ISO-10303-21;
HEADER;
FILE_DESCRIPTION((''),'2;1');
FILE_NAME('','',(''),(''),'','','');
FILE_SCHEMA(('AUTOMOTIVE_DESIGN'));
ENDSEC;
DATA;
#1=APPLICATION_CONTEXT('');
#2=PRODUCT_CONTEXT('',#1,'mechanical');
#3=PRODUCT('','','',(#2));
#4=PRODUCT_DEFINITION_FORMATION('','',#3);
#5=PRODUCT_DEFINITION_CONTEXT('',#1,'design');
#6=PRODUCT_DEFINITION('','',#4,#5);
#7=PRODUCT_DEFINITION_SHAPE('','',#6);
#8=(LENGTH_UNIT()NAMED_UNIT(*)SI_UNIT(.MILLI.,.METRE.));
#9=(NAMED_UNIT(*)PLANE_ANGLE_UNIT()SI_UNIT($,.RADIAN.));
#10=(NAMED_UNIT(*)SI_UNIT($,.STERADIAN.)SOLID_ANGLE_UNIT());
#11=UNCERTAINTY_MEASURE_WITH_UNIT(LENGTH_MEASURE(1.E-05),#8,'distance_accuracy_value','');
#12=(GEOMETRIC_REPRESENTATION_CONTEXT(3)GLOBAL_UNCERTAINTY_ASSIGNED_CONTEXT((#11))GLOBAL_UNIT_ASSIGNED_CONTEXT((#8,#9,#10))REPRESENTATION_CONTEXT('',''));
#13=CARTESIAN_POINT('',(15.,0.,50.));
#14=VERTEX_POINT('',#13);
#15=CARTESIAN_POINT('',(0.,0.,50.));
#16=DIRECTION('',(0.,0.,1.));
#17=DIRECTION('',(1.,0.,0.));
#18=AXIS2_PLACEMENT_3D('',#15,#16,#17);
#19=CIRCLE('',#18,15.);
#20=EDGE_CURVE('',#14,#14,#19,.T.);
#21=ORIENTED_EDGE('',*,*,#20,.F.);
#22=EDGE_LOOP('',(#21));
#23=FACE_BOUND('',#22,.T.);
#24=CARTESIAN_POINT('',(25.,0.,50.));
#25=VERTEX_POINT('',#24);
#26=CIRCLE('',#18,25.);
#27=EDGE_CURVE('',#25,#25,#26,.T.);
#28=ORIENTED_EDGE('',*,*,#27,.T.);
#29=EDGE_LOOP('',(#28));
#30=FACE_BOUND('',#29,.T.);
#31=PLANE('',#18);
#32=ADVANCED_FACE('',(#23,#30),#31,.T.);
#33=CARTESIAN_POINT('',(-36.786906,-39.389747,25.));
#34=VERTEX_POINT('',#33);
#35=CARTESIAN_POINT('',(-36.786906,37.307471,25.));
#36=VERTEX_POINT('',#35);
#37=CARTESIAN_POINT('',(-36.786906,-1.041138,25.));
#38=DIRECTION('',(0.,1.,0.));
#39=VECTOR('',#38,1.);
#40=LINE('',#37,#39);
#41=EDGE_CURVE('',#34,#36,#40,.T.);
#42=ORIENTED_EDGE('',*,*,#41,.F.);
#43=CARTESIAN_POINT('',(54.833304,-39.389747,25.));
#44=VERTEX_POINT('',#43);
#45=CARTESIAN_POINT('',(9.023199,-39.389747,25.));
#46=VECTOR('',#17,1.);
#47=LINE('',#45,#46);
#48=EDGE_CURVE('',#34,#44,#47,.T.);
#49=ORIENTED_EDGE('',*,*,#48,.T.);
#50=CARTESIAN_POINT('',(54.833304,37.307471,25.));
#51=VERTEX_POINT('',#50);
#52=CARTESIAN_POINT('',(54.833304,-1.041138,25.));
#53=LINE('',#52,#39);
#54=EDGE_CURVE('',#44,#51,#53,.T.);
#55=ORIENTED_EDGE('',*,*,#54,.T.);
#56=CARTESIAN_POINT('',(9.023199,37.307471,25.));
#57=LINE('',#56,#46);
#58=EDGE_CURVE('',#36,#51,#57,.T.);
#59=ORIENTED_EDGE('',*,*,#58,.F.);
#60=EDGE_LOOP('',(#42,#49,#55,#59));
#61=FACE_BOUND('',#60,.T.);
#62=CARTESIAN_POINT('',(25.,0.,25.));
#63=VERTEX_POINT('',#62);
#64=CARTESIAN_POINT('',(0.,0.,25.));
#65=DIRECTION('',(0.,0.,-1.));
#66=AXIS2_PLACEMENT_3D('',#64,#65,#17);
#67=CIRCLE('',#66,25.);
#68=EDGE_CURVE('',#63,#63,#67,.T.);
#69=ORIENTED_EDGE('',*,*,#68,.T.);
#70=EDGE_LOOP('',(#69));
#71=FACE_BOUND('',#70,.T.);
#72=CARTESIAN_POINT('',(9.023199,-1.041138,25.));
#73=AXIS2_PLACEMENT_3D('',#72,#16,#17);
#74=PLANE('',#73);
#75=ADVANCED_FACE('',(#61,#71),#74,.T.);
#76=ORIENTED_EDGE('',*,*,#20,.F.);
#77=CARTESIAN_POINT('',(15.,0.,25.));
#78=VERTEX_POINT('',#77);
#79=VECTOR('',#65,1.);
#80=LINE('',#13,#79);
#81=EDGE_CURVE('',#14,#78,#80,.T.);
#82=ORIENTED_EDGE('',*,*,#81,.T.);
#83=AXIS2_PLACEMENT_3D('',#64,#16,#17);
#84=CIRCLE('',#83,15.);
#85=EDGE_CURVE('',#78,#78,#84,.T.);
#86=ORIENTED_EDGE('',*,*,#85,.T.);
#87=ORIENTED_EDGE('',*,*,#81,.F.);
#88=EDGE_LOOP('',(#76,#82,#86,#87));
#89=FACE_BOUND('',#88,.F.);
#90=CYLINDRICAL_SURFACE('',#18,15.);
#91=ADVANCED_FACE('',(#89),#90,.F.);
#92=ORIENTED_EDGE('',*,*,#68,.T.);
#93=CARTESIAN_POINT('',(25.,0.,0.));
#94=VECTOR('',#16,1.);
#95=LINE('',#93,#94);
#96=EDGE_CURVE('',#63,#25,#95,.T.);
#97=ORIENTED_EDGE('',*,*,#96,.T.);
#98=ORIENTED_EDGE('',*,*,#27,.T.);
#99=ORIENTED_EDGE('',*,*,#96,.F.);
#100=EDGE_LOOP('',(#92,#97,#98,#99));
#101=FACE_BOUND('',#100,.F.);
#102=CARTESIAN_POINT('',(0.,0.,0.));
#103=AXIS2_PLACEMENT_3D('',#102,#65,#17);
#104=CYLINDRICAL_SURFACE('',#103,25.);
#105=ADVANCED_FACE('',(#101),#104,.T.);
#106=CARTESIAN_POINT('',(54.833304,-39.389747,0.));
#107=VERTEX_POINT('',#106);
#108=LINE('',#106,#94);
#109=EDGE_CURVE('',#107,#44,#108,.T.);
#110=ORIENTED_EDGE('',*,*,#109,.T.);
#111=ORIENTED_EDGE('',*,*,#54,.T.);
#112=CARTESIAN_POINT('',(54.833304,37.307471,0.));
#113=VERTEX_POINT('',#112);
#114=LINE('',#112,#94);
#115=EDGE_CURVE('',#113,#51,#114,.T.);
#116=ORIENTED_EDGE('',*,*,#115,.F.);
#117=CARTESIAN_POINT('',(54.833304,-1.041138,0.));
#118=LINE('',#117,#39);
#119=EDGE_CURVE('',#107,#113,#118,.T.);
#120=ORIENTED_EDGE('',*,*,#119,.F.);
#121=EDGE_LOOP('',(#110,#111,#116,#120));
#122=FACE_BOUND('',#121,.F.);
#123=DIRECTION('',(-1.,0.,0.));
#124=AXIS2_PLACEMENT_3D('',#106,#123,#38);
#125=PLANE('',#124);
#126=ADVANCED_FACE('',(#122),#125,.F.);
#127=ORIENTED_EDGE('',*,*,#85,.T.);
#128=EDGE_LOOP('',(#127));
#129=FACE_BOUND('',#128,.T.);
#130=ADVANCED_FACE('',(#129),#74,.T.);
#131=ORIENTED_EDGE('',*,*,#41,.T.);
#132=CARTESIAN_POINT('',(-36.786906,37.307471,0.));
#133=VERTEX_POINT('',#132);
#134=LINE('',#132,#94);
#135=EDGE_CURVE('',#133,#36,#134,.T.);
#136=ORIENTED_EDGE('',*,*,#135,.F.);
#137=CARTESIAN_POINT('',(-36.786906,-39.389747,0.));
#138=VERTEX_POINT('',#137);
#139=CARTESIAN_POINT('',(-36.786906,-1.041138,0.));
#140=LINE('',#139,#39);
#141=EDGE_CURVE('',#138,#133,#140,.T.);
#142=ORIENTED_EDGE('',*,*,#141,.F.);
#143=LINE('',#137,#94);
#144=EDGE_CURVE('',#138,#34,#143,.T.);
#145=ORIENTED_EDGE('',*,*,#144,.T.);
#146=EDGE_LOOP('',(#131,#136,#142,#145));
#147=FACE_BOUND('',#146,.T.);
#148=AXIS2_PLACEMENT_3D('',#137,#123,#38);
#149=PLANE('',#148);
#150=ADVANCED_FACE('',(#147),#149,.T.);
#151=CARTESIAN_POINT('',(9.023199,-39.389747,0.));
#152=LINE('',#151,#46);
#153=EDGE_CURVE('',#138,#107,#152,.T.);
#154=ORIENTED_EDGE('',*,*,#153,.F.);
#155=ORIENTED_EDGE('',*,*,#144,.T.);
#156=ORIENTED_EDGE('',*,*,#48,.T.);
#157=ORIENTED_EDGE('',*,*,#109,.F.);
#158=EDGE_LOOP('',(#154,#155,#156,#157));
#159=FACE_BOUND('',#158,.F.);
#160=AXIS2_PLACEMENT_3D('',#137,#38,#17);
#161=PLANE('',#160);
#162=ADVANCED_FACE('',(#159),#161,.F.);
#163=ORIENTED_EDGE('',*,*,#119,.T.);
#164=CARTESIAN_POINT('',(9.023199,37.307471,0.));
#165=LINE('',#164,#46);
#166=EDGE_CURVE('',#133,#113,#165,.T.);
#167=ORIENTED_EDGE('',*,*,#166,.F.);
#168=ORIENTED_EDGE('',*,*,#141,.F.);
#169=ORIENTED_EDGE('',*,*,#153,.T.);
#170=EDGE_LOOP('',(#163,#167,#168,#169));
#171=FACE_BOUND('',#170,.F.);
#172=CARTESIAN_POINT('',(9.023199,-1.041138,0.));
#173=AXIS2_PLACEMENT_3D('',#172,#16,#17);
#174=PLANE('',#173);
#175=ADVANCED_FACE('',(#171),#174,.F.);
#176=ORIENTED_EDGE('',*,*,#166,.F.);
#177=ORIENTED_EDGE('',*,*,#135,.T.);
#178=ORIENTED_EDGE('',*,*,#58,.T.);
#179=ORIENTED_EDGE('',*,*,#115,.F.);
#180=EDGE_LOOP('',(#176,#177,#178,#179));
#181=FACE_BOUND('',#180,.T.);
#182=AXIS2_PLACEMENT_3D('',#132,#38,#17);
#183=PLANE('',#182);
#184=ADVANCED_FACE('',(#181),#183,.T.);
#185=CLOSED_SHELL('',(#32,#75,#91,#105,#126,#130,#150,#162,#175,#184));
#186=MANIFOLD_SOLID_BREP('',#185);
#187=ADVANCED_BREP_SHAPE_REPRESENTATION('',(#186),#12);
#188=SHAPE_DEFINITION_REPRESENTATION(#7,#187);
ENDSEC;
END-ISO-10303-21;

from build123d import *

# Parameters (mm, degrees)
F0_R     = 25
F1_DEPTH = 50
F2_R     = 15
F3_DEPTH = 50.001
F4_W     = 91.62021
F4_H     = 76.697219
F5_DEPTH = 25


with BuildPart() as f1:
    # F0 (on Top) → F1 (new body)
    with BuildSketch(Plane.XY):
        Circle(F0_R)
    extrude(amount=F1_DEPTH)

    # F2 (on face) → F3 (cut, through all)
    with BuildSketch(Plane.XY.offset(50)):
        Circle(F2_R)
    extrude(amount=-F3_DEPTH, mode=Mode.SUBTRACT)

    # F4 (on Top) → F5 (join)
    with BuildSketch(Plane.XY):
        with Locations((9.023199, -1.041138)):
            Rectangle(F4_W, F4_H)
    extrude(amount=F5_DEPTH)


solid = f1.part
